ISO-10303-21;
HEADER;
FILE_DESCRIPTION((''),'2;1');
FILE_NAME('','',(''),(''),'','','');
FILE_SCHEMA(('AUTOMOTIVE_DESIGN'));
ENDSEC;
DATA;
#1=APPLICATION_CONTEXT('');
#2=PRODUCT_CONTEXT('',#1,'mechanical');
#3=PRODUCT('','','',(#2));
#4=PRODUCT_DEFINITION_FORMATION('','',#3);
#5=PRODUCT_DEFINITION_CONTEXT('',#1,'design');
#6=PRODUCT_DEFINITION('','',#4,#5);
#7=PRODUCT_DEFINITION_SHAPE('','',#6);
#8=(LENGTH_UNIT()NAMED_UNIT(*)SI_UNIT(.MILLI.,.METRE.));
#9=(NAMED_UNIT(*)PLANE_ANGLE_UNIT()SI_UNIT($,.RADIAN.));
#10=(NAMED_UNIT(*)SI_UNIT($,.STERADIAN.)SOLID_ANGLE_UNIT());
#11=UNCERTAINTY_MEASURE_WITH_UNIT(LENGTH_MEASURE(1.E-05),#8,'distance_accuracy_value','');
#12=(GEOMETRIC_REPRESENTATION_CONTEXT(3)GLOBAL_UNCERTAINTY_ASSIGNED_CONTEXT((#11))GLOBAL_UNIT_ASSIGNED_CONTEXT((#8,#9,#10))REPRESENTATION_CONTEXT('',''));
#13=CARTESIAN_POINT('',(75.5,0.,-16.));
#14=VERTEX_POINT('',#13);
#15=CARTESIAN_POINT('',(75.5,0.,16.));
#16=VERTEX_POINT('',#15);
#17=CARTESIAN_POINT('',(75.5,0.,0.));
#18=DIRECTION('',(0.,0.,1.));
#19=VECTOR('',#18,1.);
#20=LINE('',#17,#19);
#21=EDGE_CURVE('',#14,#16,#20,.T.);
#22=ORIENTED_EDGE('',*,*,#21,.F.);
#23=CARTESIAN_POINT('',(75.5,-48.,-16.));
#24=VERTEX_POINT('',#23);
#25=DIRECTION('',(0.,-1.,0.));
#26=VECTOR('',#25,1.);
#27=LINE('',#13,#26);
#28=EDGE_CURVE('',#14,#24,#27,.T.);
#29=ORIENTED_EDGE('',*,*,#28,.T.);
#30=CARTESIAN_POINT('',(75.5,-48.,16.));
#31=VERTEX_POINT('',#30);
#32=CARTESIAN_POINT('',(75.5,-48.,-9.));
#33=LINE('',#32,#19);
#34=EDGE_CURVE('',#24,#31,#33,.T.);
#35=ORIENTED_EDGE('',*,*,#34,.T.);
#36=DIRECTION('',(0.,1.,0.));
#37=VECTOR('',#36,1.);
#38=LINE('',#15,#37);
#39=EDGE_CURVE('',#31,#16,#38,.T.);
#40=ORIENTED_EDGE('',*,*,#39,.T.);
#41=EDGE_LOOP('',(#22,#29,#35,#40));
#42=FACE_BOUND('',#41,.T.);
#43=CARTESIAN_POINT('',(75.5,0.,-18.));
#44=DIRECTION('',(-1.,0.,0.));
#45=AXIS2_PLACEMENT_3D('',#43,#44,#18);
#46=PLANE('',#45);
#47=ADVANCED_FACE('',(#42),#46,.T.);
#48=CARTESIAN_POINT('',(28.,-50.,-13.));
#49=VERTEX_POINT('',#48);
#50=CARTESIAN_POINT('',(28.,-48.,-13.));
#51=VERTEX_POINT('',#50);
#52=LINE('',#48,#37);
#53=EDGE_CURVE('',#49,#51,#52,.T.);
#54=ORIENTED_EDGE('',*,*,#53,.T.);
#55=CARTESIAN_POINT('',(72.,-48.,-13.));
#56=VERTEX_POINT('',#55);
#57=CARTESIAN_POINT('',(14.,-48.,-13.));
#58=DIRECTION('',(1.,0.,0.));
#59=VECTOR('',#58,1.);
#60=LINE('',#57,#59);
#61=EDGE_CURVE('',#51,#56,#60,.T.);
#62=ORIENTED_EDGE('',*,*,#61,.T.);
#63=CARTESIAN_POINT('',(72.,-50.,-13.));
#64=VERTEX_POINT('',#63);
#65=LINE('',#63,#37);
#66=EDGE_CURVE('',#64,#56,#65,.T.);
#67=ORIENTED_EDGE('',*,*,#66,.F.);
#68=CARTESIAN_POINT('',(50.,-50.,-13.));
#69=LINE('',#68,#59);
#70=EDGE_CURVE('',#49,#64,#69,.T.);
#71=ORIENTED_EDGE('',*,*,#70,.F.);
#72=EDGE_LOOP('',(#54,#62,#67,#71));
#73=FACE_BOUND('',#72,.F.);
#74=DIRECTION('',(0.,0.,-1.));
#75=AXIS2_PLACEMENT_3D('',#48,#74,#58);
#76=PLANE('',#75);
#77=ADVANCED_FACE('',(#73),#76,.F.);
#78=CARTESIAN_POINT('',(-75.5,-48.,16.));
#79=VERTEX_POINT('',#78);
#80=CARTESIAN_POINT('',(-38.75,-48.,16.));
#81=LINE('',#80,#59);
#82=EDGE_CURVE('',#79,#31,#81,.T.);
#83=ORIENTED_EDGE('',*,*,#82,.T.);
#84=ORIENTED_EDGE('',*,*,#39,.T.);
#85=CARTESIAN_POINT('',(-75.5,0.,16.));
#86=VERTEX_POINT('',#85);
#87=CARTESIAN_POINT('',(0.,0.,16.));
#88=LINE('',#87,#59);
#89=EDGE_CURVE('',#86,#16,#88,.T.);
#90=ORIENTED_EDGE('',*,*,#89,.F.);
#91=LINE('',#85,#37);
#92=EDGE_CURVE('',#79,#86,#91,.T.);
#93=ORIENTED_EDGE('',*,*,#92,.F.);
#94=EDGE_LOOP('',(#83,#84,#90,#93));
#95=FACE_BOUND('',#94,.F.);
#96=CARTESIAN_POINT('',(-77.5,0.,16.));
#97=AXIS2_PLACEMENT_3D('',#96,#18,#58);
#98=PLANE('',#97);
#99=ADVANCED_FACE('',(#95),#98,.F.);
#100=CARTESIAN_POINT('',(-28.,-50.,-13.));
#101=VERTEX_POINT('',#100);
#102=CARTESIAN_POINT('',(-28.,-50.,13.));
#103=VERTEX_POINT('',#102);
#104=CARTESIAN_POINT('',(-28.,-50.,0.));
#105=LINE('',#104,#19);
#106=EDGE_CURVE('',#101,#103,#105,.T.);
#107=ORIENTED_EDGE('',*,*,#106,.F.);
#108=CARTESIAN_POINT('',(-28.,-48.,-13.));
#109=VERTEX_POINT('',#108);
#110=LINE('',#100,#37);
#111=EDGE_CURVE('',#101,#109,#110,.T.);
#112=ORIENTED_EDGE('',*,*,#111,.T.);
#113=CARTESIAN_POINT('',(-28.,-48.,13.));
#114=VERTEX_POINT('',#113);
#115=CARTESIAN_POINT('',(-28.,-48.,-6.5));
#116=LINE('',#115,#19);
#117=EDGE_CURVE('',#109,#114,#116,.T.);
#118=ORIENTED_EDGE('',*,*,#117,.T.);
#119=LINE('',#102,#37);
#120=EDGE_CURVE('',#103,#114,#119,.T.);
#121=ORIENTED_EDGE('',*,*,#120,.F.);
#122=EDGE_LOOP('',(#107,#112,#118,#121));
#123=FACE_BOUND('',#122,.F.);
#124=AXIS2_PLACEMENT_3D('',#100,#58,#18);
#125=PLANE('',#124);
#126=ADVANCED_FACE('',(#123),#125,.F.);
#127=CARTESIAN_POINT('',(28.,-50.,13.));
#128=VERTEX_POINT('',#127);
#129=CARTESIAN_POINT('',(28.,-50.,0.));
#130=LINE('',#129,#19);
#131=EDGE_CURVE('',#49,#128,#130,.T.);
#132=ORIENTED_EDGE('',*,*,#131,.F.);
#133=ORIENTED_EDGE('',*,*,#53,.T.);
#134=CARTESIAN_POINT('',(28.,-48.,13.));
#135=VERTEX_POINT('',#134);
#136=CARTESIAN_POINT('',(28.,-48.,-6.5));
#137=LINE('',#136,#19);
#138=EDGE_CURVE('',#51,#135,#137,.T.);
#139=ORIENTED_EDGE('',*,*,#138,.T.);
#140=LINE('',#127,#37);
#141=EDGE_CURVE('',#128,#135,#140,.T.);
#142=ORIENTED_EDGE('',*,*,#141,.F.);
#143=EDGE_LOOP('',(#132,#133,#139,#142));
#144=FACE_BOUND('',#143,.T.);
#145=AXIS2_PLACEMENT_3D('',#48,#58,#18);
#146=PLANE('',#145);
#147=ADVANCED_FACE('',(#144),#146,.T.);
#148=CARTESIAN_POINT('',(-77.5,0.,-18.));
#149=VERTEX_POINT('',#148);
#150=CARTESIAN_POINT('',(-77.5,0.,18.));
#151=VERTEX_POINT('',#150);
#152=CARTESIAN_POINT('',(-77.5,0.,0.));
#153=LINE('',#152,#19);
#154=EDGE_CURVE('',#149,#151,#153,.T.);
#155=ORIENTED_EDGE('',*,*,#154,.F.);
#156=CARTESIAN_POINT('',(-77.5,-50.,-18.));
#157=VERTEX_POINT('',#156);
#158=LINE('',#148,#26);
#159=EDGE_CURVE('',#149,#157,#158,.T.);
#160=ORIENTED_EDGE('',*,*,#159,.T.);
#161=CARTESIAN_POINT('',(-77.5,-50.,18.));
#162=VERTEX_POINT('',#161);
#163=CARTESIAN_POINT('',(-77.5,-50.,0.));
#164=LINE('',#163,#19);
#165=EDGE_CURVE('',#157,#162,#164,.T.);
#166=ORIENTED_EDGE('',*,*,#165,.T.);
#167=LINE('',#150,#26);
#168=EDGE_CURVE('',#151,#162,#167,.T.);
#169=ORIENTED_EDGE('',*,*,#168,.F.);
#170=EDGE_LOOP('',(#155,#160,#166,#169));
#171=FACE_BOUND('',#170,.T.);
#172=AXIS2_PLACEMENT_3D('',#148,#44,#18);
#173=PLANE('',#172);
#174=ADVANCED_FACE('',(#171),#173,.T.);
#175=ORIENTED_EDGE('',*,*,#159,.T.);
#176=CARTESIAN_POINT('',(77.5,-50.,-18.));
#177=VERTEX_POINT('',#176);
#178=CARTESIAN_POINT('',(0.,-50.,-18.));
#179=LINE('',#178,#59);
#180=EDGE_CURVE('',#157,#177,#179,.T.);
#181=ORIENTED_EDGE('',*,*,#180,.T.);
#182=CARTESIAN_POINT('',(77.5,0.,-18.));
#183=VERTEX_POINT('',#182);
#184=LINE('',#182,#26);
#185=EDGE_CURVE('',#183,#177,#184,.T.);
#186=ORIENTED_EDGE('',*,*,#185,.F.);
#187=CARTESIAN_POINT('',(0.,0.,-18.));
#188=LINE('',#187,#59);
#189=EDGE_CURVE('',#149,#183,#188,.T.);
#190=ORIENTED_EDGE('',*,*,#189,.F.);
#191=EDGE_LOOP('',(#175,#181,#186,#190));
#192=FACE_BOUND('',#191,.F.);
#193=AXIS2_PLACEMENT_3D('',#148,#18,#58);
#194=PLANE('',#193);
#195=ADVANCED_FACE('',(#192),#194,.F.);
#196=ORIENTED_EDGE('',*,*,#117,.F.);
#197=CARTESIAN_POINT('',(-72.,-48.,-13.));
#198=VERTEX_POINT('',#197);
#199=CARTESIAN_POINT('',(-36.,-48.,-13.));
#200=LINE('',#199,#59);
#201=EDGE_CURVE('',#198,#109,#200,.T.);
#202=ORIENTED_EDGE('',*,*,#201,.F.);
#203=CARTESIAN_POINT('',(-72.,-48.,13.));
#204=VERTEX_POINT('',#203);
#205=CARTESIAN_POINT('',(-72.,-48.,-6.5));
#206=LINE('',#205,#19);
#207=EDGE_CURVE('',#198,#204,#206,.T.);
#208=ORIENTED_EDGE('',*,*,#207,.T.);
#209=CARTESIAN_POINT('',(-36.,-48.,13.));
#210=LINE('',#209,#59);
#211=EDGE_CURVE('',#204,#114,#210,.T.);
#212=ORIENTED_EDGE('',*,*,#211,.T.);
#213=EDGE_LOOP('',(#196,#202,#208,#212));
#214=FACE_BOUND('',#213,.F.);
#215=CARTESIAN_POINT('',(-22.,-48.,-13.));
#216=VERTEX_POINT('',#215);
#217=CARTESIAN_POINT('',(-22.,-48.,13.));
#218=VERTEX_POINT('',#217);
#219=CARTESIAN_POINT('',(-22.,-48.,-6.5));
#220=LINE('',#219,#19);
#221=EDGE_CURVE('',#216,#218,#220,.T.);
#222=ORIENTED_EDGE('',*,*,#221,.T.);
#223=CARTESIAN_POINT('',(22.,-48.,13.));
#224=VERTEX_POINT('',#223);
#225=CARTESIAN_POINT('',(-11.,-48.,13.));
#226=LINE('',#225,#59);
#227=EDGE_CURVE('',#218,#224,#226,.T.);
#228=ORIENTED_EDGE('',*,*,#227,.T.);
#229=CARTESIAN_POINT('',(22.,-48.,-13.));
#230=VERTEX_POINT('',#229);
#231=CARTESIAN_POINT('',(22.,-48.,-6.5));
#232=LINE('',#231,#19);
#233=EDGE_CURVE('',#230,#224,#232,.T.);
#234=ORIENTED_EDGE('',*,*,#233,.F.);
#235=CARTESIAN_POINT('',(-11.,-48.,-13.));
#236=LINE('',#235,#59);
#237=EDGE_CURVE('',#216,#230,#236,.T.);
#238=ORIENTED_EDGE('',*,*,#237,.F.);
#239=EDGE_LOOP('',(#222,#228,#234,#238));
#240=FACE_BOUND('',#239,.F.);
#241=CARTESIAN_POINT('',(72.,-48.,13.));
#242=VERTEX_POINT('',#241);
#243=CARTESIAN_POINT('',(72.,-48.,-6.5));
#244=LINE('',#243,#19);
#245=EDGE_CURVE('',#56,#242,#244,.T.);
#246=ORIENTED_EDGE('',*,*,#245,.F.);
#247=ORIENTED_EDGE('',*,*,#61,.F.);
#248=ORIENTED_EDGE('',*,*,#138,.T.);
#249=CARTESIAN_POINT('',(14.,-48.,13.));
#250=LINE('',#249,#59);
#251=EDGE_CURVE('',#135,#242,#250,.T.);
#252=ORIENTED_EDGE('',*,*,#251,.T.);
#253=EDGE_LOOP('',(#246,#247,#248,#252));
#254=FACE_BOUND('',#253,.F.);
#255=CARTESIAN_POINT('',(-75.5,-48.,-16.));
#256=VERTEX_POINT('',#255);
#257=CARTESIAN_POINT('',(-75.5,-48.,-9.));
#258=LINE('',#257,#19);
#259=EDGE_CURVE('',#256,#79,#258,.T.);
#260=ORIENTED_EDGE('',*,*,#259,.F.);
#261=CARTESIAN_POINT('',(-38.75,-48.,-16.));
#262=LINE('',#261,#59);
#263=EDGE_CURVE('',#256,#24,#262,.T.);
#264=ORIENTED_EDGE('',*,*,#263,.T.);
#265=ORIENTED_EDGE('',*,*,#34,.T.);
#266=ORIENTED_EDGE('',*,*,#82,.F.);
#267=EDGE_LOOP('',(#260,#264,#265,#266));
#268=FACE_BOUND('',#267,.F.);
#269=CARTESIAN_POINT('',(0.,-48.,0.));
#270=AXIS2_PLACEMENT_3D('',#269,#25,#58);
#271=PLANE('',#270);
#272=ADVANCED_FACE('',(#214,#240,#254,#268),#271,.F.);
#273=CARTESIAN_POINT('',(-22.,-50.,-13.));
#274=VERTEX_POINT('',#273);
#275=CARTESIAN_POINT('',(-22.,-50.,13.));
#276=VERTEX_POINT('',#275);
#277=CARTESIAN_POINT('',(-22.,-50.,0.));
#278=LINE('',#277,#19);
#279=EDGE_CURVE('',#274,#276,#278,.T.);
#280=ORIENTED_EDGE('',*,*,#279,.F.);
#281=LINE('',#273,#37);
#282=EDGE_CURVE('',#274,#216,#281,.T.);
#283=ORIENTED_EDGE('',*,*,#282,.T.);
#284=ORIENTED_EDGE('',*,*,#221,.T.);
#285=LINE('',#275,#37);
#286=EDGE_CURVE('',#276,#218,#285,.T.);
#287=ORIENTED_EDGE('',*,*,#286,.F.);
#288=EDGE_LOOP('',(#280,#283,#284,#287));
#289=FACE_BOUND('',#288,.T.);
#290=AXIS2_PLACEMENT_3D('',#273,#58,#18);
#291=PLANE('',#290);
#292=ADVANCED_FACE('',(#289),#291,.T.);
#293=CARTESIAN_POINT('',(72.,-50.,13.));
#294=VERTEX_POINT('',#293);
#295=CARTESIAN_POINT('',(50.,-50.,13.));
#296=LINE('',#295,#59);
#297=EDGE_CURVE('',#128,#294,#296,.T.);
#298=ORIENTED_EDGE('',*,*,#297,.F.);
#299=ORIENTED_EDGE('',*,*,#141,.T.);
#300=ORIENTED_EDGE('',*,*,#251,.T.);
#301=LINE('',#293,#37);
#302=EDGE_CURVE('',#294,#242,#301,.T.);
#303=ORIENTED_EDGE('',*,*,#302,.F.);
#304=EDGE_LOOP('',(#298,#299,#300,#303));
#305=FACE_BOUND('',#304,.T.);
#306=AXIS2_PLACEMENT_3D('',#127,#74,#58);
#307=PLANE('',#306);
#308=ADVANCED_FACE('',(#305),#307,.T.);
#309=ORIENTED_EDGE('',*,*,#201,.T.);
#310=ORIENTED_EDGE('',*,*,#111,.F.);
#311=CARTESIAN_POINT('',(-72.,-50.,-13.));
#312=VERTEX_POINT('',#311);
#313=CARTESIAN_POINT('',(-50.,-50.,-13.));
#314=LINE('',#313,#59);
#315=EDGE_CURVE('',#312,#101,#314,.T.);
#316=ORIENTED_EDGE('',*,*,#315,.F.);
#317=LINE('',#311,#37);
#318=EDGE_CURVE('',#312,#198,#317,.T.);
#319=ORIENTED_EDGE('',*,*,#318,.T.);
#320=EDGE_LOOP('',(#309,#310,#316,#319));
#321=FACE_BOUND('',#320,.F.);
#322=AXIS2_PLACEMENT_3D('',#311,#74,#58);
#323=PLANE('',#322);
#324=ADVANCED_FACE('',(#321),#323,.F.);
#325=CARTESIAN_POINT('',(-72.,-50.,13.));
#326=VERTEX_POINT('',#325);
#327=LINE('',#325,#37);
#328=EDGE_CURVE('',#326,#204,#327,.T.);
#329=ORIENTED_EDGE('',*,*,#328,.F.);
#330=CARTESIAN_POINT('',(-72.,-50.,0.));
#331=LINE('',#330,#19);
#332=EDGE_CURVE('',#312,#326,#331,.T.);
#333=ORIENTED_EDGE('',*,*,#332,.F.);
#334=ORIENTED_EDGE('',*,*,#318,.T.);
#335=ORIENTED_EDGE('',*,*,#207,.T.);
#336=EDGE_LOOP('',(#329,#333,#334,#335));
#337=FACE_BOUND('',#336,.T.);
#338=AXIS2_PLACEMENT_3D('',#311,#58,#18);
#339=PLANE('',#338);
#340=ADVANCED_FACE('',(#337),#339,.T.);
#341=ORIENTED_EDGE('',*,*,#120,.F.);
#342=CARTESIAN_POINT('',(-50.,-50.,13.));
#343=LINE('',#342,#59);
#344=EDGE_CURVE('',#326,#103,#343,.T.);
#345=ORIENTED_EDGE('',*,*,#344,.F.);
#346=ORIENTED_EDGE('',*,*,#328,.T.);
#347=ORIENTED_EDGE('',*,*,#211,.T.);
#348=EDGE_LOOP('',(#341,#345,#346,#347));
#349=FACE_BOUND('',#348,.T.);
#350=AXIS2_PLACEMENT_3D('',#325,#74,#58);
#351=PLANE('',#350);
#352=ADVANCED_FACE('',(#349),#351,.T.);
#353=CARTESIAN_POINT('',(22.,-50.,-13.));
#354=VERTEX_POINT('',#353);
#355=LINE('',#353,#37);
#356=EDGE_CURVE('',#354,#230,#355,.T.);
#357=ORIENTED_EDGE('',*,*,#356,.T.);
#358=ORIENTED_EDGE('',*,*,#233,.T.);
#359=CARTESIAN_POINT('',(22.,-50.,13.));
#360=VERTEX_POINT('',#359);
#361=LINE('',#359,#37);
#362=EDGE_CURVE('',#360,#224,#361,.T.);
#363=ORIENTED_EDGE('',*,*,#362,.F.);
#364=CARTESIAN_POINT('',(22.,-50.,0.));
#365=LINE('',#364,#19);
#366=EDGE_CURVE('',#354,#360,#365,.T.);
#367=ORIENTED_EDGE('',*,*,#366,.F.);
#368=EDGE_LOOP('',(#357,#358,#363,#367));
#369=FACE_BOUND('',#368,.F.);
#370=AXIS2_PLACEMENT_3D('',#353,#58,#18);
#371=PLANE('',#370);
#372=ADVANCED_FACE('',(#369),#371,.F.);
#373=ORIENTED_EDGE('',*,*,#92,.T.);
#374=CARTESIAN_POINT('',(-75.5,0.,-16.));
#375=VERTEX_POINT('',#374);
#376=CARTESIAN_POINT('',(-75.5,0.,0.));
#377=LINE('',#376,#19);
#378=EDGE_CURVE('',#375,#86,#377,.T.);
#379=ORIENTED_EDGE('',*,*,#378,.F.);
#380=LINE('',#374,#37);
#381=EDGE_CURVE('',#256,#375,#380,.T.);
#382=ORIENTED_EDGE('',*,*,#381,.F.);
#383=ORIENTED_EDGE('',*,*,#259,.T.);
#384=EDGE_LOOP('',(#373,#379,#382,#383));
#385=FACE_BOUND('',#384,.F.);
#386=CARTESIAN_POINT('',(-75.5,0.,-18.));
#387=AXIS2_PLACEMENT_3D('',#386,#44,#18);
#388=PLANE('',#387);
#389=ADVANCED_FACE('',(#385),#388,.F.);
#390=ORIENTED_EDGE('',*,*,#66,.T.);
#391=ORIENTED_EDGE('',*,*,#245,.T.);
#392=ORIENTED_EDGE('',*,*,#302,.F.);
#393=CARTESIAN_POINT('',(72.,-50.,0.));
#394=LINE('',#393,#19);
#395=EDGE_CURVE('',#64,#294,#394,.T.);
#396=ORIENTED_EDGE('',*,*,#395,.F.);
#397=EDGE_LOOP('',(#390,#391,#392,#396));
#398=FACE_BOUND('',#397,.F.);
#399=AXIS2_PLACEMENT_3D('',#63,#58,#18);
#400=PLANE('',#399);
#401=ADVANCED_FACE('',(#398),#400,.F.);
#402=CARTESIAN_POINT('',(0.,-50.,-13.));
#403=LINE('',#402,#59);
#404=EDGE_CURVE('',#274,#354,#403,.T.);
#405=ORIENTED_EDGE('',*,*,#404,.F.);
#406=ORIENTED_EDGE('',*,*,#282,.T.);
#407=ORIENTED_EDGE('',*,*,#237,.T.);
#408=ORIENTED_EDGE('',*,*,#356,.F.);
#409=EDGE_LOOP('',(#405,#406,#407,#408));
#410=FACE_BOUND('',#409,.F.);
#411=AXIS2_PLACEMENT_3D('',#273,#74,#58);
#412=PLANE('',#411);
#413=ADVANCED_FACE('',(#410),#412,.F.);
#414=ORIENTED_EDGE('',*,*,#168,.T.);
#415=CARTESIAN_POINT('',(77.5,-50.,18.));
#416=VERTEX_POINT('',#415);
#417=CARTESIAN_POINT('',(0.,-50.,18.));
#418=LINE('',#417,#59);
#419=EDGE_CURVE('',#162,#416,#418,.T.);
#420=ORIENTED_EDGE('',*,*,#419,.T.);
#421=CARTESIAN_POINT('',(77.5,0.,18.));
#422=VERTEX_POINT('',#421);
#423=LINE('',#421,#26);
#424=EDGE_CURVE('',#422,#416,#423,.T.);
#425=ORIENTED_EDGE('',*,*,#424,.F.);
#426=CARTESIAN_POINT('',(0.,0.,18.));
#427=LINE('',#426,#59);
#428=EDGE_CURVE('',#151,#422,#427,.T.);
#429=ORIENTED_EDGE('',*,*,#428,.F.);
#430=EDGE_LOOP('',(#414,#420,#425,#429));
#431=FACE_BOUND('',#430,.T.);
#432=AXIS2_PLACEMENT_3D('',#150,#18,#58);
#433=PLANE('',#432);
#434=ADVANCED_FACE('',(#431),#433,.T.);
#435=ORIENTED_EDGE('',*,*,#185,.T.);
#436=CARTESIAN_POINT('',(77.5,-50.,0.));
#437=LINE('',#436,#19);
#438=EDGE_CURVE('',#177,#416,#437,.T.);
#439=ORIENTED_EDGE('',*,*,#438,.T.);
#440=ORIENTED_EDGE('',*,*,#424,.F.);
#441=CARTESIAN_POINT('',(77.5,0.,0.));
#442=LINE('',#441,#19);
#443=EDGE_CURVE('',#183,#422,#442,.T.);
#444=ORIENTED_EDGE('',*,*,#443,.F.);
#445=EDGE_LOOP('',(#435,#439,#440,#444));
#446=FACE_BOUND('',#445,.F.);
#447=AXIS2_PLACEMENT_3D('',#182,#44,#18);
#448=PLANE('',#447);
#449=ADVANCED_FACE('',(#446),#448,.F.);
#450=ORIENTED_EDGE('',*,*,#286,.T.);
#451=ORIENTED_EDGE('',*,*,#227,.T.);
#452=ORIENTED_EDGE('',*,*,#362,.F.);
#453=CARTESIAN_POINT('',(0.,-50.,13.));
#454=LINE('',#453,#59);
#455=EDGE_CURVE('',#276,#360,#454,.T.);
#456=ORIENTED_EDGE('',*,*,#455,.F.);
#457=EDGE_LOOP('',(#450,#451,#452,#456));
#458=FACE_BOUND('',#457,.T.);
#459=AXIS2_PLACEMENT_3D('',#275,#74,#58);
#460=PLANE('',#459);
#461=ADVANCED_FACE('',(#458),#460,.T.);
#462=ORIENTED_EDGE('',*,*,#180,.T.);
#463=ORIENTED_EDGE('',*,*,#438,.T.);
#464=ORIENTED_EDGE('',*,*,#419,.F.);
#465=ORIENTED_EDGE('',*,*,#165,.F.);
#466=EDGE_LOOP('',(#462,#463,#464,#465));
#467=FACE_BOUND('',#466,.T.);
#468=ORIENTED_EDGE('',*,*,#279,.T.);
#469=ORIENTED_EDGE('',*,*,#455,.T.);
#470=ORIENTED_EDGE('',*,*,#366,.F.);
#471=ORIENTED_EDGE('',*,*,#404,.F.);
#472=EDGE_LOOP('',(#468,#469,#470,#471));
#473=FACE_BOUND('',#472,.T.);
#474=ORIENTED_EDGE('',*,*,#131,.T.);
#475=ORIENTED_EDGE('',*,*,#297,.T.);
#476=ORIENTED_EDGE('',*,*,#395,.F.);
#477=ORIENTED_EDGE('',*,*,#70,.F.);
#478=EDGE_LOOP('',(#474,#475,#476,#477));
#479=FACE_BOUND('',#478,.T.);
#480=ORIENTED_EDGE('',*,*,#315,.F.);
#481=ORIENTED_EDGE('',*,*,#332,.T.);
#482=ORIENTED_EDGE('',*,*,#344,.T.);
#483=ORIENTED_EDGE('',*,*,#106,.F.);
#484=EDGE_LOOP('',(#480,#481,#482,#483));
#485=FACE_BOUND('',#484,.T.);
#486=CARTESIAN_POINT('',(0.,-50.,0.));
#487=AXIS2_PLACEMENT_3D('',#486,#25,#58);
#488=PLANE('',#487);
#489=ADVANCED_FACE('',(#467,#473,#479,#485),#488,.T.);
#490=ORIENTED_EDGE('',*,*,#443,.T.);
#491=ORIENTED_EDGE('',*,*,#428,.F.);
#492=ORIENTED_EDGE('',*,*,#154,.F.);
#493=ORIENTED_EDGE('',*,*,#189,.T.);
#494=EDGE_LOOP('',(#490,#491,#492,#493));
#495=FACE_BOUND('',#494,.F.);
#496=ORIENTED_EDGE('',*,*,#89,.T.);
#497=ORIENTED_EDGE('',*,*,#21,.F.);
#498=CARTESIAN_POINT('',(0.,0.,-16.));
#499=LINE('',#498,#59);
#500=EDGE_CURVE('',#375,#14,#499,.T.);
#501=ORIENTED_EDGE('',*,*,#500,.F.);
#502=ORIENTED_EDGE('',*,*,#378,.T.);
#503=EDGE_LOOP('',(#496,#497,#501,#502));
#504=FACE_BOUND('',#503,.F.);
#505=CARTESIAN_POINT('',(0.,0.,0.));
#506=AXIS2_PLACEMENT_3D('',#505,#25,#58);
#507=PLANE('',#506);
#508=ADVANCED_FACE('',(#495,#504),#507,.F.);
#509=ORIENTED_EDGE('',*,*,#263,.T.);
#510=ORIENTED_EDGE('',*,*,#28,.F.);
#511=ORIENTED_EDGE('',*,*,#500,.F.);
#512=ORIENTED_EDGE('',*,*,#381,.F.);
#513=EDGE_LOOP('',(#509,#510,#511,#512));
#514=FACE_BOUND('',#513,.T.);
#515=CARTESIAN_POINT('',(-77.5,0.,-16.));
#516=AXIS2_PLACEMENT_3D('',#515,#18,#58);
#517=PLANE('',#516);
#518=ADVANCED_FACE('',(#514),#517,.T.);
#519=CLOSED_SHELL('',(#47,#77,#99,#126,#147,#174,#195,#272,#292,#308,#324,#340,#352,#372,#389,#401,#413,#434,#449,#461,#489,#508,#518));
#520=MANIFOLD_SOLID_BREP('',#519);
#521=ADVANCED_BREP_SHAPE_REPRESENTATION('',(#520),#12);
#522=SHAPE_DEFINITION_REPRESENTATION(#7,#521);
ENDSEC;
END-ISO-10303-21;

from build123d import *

# Parameters (mm, degrees)
F0_W     = 155
F0_H     = 36
F1_DEPTH = 50
F2_T     = -2
F3_W     = 44
F3_H     = 26
F4_DEPTH = 25


with BuildPart() as f1:
    # F0 (on Front) → F1 (new body)
    with BuildSketch(Plane.XZ):
        Rectangle(F0_W, F0_H)
    extrude(amount=F1_DEPTH)

    # F2
    f2_openings = [f1.faces().sort_by_distance(p)[0] for p in [
        (0, 0, 0),
    ]]
    offset(amount=F2_T, openings=f2_openings)

    # F3 (on face) → F4 (cut)
    with BuildSketch(Plane.XZ.offset(50)):
        Rectangle(F3_W, F3_H)
        with Locations((-50, 0)):
            Rectangle(F3_W, F3_H)
        with Locations((50, 0)):
            Rectangle(F3_W, F3_H)
    extrude(amount=-F4_DEPTH, mode=Mode.SUBTRACT)


solid = f1.part
